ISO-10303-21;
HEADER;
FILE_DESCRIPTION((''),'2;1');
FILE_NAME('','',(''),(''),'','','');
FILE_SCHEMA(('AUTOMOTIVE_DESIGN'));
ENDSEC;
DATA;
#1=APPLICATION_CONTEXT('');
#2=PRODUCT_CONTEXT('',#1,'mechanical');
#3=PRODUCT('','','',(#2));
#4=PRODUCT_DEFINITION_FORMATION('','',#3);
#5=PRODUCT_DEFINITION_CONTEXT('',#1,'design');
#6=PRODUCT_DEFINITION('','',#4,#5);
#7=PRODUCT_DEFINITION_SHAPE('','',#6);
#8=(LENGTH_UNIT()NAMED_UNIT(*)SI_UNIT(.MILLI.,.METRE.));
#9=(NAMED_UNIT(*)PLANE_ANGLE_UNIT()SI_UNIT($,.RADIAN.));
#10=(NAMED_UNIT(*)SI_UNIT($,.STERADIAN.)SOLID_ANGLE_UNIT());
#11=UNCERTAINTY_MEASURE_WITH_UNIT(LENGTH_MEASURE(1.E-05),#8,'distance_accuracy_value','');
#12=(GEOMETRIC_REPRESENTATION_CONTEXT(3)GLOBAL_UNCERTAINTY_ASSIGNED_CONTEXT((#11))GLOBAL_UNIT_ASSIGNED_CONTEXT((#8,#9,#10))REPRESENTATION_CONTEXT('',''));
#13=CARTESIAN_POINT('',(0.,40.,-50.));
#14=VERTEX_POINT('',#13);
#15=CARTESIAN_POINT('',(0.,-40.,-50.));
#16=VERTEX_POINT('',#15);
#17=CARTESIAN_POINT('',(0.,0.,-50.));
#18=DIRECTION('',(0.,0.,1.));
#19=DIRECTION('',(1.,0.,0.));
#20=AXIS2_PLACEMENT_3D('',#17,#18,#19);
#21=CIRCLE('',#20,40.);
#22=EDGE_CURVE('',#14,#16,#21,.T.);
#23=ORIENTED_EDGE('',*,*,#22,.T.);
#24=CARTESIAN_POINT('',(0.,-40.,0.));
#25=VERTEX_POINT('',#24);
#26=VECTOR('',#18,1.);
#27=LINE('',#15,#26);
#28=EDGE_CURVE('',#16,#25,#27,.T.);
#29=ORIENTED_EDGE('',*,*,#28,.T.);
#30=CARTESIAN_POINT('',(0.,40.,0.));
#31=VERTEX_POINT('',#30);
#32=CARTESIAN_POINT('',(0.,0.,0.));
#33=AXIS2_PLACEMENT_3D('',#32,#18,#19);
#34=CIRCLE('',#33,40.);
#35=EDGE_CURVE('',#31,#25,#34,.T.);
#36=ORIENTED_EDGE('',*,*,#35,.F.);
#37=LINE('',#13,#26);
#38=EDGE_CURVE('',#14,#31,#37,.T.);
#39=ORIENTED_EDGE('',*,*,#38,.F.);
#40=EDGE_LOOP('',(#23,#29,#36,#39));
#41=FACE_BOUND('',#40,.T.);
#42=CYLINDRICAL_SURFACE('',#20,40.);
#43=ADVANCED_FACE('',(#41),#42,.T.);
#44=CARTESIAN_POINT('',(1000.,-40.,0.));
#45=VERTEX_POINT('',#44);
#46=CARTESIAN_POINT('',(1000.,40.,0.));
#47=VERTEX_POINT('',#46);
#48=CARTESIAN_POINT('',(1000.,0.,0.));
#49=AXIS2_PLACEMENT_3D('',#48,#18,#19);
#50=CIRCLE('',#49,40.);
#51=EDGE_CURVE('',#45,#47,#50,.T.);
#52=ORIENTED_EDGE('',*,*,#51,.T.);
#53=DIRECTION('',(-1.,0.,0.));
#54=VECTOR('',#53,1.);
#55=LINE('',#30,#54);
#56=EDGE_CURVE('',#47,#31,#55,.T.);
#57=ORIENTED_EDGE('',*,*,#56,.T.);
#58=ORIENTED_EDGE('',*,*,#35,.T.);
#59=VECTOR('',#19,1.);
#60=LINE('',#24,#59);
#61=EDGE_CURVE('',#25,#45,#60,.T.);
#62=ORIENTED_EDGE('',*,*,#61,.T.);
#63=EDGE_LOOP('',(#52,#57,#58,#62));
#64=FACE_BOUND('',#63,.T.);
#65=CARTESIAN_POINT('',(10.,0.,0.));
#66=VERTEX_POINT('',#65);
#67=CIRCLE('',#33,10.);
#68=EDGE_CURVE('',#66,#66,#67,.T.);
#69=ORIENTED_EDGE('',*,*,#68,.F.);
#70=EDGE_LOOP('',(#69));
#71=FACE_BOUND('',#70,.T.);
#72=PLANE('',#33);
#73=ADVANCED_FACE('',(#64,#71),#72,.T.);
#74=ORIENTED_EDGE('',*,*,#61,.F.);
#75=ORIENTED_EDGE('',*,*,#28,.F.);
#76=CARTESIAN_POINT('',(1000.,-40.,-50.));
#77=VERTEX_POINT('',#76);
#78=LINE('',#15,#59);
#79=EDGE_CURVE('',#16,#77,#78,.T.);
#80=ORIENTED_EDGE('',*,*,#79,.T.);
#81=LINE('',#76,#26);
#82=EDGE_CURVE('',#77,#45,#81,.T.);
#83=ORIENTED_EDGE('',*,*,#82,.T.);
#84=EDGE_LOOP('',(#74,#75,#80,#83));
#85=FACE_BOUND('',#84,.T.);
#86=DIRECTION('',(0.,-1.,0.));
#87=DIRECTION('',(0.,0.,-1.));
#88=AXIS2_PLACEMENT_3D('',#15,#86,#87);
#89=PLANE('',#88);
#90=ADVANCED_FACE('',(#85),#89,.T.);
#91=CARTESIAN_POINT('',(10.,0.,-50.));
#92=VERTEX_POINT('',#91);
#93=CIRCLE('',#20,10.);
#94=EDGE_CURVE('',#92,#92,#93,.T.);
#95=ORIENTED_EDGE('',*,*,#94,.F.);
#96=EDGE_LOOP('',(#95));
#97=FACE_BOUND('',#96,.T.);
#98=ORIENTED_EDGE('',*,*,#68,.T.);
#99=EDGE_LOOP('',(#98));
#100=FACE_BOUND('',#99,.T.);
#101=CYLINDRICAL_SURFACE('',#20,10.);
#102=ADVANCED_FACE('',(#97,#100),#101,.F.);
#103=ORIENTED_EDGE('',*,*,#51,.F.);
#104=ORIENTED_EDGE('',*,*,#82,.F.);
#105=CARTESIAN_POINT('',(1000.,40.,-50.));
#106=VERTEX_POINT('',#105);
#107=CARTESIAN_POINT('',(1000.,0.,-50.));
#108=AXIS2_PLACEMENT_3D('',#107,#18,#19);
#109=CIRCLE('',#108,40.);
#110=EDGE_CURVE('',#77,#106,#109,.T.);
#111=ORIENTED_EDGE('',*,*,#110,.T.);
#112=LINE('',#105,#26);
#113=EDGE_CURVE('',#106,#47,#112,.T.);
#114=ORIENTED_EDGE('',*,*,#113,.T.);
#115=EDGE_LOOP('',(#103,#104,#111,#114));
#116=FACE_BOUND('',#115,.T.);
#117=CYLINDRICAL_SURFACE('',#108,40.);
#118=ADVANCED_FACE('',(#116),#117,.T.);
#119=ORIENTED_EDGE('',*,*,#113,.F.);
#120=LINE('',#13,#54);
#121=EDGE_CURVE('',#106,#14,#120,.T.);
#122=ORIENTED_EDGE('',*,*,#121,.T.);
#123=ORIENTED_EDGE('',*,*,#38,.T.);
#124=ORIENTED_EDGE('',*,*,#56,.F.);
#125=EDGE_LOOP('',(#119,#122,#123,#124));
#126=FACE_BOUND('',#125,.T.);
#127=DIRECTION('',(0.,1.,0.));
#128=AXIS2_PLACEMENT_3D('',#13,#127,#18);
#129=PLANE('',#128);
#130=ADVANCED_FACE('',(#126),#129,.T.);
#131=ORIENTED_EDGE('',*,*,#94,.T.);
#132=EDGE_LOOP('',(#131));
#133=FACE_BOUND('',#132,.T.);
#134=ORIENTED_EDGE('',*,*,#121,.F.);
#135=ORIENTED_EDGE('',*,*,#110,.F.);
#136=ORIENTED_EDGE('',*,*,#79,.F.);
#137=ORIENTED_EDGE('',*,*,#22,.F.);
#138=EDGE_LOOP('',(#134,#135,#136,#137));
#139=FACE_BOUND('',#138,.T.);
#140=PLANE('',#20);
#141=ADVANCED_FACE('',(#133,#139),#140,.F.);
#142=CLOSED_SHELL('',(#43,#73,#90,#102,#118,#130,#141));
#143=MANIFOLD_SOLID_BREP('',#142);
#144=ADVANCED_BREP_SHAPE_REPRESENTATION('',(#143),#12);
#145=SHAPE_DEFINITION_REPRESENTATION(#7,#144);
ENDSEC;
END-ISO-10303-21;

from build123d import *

# Parameters (mm, degrees)
SKETCH2_R           = 10
BOSS_EXTRUDE1_DEPTH = 50


with BuildPart() as part:
    # Sketch2 → Boss-Extrude1 (new body)
    with BuildSketch(Plane.XY):
        with BuildLine():
            Line((0, 40), (1000, 40))
            ThreePointArc((1000, 40), (1040, 0), (1000, -40))
            Line((1000, -40), (0, -40))
            ThreePointArc((0, -40), (-40, 0), (0, 40))
        make_face()
        Circle(SKETCH2_R, mode=Mode.SUBTRACT)
    extrude(amount=-BOSS_EXTRUDE1_DEPTH)


solid = part.part
